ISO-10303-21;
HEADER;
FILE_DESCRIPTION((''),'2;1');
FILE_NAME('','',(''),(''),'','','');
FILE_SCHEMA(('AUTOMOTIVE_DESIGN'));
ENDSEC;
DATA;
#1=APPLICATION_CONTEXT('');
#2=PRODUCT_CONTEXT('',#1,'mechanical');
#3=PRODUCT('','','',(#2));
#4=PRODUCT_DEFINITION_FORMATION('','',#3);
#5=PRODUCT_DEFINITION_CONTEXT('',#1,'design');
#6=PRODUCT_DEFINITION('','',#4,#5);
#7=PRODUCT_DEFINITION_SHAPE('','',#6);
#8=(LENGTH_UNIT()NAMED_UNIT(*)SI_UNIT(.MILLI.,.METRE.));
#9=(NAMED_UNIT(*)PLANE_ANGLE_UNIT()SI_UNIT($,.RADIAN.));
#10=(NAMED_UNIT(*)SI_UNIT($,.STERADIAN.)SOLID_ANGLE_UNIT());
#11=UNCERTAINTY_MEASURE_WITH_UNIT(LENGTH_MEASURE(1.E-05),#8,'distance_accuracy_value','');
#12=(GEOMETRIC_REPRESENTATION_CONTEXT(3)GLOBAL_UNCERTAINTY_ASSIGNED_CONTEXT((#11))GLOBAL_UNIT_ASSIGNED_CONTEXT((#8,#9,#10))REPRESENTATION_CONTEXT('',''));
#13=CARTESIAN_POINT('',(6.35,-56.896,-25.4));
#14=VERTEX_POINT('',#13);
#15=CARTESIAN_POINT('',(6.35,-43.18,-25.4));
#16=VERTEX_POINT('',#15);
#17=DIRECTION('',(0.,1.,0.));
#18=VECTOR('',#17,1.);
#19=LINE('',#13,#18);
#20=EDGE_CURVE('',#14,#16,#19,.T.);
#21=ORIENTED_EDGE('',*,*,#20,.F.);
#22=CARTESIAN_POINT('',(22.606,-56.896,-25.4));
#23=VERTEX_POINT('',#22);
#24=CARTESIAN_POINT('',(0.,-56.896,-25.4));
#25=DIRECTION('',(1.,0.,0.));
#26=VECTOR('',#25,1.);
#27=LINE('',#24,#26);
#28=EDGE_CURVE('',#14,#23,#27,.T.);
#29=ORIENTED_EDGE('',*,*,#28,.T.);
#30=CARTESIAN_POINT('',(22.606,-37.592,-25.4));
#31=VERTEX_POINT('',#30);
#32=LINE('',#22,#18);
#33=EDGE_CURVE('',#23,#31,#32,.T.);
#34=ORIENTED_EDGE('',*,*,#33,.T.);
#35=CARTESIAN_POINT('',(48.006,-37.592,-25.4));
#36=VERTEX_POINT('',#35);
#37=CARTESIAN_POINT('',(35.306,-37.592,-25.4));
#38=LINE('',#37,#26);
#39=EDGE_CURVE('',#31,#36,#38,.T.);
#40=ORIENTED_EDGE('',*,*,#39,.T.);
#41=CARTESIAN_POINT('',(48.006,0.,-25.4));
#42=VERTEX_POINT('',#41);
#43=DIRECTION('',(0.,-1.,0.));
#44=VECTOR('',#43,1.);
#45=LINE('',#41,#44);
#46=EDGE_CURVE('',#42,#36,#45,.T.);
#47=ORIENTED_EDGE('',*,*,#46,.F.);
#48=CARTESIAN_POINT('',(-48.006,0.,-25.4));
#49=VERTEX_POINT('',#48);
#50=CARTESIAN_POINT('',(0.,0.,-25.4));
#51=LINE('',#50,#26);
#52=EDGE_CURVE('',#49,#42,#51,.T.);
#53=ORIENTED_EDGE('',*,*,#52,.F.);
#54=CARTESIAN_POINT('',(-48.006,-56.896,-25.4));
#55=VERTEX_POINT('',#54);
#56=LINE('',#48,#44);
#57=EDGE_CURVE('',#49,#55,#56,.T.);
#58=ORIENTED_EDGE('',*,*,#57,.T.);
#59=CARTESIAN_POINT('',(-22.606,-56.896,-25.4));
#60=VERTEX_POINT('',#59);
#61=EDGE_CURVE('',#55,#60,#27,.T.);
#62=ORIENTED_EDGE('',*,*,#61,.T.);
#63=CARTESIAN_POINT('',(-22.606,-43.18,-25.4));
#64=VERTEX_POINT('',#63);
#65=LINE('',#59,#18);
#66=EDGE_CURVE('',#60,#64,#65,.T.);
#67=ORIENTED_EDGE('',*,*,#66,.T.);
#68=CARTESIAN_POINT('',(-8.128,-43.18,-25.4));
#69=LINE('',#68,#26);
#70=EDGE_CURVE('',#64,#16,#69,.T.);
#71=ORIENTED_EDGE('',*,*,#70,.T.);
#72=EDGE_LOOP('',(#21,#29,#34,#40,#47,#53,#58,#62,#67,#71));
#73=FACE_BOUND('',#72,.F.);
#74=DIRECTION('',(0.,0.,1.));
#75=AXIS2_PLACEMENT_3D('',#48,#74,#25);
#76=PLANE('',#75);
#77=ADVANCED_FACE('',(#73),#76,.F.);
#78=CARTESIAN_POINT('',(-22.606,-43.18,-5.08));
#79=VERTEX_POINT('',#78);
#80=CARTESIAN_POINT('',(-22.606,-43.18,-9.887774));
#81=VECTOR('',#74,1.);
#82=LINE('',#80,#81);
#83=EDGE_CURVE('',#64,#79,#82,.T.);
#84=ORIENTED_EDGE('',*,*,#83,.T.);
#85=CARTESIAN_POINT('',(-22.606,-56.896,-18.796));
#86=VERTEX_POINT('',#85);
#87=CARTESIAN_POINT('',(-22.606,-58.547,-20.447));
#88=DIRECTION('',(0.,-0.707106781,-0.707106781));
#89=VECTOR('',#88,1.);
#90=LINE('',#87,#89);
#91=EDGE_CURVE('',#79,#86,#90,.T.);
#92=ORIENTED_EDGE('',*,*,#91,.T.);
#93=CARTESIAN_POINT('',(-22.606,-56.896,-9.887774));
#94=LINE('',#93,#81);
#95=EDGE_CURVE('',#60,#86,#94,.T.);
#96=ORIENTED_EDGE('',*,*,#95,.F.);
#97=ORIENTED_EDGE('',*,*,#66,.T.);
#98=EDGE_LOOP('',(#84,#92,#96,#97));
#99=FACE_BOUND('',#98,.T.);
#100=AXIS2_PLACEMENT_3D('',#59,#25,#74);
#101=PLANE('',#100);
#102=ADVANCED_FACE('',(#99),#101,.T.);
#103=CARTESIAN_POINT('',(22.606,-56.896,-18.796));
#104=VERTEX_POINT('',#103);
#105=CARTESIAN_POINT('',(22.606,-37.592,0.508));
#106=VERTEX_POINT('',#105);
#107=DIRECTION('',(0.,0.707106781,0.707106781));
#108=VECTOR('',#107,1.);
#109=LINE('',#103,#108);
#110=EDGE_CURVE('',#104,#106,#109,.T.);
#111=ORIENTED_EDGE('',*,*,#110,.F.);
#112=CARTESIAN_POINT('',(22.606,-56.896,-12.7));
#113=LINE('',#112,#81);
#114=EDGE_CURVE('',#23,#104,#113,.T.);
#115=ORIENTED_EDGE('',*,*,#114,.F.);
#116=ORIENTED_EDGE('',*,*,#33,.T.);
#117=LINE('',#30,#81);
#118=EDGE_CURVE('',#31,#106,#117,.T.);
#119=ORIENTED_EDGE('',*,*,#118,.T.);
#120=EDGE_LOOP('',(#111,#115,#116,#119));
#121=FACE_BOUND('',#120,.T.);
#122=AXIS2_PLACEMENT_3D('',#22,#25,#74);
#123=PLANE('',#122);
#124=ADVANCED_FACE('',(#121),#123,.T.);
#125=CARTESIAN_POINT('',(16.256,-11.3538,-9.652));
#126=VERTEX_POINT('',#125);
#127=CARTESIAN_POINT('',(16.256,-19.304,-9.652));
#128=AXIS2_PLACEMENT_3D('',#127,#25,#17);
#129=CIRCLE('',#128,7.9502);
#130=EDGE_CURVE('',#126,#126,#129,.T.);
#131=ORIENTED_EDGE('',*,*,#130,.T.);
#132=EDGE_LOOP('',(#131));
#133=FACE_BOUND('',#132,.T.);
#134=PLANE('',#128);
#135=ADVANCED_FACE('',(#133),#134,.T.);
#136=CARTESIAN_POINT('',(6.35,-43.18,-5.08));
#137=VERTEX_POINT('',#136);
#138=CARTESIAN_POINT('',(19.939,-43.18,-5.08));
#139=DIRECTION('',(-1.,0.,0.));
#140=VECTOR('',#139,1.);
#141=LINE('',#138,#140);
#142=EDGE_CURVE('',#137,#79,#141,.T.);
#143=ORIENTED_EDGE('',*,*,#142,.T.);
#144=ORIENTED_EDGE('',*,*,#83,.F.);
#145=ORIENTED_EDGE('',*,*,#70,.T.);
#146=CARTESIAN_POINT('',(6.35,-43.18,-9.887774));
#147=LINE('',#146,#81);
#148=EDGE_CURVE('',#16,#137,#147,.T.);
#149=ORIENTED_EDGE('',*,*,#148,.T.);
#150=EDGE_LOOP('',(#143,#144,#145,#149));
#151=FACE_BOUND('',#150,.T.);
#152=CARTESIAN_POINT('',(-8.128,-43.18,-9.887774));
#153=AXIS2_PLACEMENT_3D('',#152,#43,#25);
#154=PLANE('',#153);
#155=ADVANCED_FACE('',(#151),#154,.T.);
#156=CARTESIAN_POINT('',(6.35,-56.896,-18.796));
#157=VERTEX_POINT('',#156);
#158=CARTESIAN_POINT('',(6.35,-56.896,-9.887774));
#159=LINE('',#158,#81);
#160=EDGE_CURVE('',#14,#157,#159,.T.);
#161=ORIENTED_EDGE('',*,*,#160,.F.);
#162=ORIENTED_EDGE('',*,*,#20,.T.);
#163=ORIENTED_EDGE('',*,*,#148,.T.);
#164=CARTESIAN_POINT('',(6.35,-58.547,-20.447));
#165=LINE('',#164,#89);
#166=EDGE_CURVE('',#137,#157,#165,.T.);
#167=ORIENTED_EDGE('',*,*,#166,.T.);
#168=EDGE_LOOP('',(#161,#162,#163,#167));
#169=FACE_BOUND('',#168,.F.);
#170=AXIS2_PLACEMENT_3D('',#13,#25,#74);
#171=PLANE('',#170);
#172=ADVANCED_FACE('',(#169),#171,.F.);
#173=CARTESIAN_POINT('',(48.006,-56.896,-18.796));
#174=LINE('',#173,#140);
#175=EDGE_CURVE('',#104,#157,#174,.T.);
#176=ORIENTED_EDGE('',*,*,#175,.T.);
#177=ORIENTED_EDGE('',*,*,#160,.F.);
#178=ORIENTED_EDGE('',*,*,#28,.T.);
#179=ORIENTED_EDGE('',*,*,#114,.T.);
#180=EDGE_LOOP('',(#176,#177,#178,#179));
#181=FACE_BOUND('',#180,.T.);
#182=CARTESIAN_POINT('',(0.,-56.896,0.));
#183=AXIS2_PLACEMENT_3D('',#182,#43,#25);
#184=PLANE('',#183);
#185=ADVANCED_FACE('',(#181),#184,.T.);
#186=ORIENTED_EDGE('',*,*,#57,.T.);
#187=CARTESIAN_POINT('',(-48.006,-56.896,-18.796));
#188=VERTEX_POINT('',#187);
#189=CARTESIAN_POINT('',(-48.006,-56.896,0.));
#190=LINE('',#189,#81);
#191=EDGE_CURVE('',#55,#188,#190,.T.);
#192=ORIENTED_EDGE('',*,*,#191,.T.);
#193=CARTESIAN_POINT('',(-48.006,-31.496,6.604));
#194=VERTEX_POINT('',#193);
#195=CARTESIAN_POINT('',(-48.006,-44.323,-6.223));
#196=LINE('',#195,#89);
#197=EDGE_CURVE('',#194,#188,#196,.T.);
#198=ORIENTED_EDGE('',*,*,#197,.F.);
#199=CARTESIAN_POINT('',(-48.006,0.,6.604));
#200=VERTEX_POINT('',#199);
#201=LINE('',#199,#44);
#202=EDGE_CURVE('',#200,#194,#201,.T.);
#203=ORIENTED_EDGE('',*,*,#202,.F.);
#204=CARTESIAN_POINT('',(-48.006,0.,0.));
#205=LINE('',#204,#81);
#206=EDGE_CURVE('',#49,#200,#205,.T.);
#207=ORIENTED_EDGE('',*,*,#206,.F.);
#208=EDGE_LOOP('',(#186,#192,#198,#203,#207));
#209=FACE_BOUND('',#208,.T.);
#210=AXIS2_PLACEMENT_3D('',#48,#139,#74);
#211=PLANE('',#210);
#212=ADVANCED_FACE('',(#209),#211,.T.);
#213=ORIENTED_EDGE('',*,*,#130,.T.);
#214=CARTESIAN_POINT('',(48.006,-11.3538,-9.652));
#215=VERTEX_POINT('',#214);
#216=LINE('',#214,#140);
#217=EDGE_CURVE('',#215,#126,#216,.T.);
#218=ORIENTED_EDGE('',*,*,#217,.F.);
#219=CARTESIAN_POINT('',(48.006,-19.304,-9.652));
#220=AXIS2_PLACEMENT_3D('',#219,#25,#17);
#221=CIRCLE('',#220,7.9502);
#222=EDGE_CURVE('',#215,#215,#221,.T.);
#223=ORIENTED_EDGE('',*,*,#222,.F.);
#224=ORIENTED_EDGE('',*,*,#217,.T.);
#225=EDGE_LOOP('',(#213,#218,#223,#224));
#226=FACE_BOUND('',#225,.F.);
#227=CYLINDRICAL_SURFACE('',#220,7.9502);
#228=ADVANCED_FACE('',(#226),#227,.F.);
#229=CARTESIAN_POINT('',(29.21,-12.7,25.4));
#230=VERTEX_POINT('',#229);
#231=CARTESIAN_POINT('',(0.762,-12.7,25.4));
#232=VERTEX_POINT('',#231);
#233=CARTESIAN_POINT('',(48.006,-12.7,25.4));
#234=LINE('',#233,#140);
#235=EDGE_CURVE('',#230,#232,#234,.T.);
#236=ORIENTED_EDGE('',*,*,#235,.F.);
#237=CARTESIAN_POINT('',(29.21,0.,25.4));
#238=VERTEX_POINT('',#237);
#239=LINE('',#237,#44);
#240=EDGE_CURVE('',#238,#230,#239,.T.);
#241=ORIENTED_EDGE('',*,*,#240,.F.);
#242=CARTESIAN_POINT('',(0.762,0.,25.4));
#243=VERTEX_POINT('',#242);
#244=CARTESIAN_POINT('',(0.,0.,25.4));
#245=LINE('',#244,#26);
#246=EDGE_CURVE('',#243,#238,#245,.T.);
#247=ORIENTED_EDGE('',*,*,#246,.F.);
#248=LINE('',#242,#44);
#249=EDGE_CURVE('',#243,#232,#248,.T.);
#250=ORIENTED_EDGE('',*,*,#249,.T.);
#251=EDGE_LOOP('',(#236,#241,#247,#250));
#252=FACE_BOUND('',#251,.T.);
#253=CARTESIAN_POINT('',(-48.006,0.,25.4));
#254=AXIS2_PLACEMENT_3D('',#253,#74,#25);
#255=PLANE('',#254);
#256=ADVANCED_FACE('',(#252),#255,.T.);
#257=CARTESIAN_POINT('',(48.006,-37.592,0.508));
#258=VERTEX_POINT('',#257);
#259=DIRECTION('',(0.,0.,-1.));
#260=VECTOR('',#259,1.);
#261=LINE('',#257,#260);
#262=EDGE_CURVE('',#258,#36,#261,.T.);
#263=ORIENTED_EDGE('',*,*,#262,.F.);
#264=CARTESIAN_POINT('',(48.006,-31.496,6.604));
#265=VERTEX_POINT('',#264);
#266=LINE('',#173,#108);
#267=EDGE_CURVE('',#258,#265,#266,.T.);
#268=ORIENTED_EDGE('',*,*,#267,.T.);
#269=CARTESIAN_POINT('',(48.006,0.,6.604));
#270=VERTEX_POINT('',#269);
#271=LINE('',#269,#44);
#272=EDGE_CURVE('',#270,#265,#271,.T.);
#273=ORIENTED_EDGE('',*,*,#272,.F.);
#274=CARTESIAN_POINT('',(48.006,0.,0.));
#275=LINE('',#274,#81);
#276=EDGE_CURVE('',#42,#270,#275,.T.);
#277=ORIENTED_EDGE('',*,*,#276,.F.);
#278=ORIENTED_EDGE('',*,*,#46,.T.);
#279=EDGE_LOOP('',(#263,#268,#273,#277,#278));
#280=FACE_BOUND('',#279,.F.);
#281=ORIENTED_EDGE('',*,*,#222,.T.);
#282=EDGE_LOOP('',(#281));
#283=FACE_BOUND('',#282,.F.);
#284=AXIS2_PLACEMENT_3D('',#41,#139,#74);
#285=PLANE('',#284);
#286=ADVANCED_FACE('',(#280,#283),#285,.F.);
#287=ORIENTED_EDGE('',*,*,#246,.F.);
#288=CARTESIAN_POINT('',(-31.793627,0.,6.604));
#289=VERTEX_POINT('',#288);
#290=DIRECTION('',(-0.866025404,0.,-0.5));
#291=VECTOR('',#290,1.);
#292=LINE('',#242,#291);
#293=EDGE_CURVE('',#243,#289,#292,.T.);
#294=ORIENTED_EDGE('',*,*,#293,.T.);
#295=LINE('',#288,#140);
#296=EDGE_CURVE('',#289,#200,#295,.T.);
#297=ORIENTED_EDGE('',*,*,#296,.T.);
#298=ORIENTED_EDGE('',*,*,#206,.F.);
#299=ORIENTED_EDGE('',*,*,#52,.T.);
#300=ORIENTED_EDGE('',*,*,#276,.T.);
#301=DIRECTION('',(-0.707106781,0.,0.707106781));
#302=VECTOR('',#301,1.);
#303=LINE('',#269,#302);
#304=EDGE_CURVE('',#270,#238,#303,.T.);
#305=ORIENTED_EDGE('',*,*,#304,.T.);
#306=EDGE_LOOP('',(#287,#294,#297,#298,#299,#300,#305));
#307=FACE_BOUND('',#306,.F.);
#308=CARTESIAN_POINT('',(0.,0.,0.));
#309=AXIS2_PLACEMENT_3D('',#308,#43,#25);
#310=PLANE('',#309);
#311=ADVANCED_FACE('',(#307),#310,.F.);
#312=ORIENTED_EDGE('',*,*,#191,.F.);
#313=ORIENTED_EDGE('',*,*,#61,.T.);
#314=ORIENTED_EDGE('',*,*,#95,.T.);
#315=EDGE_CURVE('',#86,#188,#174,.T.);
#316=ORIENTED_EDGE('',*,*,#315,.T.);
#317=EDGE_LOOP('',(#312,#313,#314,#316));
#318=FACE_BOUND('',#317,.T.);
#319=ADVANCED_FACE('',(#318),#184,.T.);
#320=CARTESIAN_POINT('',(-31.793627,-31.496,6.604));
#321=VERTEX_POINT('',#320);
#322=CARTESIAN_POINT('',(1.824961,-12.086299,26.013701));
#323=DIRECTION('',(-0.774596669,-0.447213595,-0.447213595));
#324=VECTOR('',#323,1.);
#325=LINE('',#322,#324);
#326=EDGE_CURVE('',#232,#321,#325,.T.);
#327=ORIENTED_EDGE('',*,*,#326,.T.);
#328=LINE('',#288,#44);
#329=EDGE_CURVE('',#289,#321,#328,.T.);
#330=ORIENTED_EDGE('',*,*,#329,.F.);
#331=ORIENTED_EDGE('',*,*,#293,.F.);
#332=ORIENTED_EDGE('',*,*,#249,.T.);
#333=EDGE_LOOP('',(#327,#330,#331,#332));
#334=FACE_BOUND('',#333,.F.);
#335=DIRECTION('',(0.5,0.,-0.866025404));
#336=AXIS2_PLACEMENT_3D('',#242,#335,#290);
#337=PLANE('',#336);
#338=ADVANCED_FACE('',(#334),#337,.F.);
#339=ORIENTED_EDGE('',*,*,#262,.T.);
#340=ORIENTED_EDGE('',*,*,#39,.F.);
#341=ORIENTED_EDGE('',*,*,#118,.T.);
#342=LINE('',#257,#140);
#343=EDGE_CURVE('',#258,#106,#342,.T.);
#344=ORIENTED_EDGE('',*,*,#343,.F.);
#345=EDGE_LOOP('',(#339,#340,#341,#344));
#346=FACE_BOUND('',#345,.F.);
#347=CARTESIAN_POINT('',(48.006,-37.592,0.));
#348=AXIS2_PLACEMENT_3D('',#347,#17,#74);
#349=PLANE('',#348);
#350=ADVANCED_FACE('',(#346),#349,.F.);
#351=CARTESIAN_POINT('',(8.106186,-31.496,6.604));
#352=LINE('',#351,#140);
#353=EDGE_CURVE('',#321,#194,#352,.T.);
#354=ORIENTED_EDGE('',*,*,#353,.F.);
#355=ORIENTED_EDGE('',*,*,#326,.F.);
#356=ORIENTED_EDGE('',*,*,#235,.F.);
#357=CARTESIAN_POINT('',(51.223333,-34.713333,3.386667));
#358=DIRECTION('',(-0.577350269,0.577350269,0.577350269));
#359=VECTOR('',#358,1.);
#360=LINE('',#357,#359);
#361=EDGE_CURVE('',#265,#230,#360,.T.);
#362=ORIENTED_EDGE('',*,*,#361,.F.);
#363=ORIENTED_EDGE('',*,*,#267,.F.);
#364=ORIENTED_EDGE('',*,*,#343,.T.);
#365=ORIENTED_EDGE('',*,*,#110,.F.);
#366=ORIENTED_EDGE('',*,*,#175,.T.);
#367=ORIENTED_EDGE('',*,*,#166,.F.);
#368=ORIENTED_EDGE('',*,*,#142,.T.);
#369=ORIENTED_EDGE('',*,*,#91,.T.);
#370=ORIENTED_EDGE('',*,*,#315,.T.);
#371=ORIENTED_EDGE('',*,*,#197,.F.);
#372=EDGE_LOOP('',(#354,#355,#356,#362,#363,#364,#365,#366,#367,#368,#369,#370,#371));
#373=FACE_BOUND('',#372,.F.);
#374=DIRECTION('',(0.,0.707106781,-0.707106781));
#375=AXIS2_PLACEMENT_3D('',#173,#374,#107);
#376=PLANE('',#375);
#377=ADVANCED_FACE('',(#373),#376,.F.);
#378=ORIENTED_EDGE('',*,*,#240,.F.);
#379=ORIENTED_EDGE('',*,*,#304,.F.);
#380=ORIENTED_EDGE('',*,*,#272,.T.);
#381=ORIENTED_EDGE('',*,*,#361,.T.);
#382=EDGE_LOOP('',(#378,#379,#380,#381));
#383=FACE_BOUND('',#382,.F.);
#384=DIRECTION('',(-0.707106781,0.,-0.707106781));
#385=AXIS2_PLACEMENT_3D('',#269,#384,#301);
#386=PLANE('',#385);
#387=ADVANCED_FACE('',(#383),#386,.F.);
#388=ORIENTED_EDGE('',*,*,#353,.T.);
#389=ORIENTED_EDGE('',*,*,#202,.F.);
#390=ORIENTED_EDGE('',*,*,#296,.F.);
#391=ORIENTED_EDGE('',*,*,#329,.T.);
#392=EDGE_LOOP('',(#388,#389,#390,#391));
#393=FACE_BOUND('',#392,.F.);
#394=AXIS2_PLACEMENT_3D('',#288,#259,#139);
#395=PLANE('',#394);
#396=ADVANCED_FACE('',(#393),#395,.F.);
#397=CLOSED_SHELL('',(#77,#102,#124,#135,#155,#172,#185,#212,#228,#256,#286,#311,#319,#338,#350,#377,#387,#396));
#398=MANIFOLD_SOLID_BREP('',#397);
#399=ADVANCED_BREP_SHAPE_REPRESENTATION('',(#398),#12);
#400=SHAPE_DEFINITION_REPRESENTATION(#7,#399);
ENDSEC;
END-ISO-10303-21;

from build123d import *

# Parameters (mm, degrees)
F0_W      = 96.012
F0_H      = 50.8
F1_DEPTH  = 56.896
F3_DEPTH  = 96.013
F4_W      = 28.956
F4_H      = 31.024452
F5_DEPTH  = 13.716
F6_W      = 25.4
F6_H      = 25.4
F7_DEPTH  = 19.304
F8_R      = 7.9502
F9_DEPTH  = 31.75
F11_DEPTH = 25.4
F13_DEPTH = 56.897
F15_DEPTH = 56.897


with BuildPart() as f1:
    # F0 (on Front) → F1 (new body)
    with BuildSketch(Plane.XZ):
        Rectangle(F0_W, F0_H)
    extrude(amount=F1_DEPTH)

    # F2 (on face) → F3 (cut, through all)
    with BuildSketch(Plane.YZ.offset(48.006)):
        Polygon((-56.896, -18.796), (-12.7, 25.4), (-56.896, 25.4), align=None)
    extrude(amount=-F3_DEPTH, mode=Mode.SUBTRACT)

    # F4 (on face) → F5 (cut)
    with BuildSketch(Plane.XZ.offset(56.896)):
        with Locations((-8.128, -9.887774)):
            Rectangle(F4_W, F4_H)
    extrude(amount=-F5_DEPTH, mode=Mode.SUBTRACT)

    # F6 (on face) → F7 (cut)
    with BuildSketch(Plane.XZ.offset(56.896)):
        with Locations((35.306, -12.7)):
            Rectangle(F6_W, F6_H)
    extrude(amount=-F7_DEPTH, mode=Mode.SUBTRACT)

    # F8 (on face) → F9 (cut)
    with BuildSketch(Plane.YZ.offset(48.006)):
        with Locations((-19.304, -9.652)):
            Circle(F8_R)
    extrude(amount=-F9_DEPTH, mode=Mode.SUBTRACT)

    # F10 (on face) → F11 (cut)
    with BuildSketch(Plane.YZ.offset(48.006)):
        Polygon((-38.1, 0), (-37.592, 0), (-37.592, 0.508), align=None)
    extrude(amount=-F11_DEPTH, mode=Mode.SUBTRACT)

    # F12 (on face) → F13 (cut, through all)
    with BuildSketch(Plane(origin=(0, 0, 0), x_dir=(-1, 0, 0), z_dir=(0, 1, 0))):
        Polygon((-29.21, 25.4), (-48.006, 25.4), (-48.006, 6.604), align=None)
    extrude(amount=-F13_DEPTH, mode=Mode.SUBTRACT)

    # F14 (on face) → F15 (cut, through all)
    with BuildSketch(Plane(origin=(0, 0, 0), x_dir=(-1, 0, 0), z_dir=(0, 1, 0))):
        Polygon((48.006, 25.4), (-0.762, 25.4), (31.793627, 6.604), (48.006, 6.604), align=None)
    extrude(amount=-F15_DEPTH, mode=Mode.SUBTRACT)


solid = f1.part
